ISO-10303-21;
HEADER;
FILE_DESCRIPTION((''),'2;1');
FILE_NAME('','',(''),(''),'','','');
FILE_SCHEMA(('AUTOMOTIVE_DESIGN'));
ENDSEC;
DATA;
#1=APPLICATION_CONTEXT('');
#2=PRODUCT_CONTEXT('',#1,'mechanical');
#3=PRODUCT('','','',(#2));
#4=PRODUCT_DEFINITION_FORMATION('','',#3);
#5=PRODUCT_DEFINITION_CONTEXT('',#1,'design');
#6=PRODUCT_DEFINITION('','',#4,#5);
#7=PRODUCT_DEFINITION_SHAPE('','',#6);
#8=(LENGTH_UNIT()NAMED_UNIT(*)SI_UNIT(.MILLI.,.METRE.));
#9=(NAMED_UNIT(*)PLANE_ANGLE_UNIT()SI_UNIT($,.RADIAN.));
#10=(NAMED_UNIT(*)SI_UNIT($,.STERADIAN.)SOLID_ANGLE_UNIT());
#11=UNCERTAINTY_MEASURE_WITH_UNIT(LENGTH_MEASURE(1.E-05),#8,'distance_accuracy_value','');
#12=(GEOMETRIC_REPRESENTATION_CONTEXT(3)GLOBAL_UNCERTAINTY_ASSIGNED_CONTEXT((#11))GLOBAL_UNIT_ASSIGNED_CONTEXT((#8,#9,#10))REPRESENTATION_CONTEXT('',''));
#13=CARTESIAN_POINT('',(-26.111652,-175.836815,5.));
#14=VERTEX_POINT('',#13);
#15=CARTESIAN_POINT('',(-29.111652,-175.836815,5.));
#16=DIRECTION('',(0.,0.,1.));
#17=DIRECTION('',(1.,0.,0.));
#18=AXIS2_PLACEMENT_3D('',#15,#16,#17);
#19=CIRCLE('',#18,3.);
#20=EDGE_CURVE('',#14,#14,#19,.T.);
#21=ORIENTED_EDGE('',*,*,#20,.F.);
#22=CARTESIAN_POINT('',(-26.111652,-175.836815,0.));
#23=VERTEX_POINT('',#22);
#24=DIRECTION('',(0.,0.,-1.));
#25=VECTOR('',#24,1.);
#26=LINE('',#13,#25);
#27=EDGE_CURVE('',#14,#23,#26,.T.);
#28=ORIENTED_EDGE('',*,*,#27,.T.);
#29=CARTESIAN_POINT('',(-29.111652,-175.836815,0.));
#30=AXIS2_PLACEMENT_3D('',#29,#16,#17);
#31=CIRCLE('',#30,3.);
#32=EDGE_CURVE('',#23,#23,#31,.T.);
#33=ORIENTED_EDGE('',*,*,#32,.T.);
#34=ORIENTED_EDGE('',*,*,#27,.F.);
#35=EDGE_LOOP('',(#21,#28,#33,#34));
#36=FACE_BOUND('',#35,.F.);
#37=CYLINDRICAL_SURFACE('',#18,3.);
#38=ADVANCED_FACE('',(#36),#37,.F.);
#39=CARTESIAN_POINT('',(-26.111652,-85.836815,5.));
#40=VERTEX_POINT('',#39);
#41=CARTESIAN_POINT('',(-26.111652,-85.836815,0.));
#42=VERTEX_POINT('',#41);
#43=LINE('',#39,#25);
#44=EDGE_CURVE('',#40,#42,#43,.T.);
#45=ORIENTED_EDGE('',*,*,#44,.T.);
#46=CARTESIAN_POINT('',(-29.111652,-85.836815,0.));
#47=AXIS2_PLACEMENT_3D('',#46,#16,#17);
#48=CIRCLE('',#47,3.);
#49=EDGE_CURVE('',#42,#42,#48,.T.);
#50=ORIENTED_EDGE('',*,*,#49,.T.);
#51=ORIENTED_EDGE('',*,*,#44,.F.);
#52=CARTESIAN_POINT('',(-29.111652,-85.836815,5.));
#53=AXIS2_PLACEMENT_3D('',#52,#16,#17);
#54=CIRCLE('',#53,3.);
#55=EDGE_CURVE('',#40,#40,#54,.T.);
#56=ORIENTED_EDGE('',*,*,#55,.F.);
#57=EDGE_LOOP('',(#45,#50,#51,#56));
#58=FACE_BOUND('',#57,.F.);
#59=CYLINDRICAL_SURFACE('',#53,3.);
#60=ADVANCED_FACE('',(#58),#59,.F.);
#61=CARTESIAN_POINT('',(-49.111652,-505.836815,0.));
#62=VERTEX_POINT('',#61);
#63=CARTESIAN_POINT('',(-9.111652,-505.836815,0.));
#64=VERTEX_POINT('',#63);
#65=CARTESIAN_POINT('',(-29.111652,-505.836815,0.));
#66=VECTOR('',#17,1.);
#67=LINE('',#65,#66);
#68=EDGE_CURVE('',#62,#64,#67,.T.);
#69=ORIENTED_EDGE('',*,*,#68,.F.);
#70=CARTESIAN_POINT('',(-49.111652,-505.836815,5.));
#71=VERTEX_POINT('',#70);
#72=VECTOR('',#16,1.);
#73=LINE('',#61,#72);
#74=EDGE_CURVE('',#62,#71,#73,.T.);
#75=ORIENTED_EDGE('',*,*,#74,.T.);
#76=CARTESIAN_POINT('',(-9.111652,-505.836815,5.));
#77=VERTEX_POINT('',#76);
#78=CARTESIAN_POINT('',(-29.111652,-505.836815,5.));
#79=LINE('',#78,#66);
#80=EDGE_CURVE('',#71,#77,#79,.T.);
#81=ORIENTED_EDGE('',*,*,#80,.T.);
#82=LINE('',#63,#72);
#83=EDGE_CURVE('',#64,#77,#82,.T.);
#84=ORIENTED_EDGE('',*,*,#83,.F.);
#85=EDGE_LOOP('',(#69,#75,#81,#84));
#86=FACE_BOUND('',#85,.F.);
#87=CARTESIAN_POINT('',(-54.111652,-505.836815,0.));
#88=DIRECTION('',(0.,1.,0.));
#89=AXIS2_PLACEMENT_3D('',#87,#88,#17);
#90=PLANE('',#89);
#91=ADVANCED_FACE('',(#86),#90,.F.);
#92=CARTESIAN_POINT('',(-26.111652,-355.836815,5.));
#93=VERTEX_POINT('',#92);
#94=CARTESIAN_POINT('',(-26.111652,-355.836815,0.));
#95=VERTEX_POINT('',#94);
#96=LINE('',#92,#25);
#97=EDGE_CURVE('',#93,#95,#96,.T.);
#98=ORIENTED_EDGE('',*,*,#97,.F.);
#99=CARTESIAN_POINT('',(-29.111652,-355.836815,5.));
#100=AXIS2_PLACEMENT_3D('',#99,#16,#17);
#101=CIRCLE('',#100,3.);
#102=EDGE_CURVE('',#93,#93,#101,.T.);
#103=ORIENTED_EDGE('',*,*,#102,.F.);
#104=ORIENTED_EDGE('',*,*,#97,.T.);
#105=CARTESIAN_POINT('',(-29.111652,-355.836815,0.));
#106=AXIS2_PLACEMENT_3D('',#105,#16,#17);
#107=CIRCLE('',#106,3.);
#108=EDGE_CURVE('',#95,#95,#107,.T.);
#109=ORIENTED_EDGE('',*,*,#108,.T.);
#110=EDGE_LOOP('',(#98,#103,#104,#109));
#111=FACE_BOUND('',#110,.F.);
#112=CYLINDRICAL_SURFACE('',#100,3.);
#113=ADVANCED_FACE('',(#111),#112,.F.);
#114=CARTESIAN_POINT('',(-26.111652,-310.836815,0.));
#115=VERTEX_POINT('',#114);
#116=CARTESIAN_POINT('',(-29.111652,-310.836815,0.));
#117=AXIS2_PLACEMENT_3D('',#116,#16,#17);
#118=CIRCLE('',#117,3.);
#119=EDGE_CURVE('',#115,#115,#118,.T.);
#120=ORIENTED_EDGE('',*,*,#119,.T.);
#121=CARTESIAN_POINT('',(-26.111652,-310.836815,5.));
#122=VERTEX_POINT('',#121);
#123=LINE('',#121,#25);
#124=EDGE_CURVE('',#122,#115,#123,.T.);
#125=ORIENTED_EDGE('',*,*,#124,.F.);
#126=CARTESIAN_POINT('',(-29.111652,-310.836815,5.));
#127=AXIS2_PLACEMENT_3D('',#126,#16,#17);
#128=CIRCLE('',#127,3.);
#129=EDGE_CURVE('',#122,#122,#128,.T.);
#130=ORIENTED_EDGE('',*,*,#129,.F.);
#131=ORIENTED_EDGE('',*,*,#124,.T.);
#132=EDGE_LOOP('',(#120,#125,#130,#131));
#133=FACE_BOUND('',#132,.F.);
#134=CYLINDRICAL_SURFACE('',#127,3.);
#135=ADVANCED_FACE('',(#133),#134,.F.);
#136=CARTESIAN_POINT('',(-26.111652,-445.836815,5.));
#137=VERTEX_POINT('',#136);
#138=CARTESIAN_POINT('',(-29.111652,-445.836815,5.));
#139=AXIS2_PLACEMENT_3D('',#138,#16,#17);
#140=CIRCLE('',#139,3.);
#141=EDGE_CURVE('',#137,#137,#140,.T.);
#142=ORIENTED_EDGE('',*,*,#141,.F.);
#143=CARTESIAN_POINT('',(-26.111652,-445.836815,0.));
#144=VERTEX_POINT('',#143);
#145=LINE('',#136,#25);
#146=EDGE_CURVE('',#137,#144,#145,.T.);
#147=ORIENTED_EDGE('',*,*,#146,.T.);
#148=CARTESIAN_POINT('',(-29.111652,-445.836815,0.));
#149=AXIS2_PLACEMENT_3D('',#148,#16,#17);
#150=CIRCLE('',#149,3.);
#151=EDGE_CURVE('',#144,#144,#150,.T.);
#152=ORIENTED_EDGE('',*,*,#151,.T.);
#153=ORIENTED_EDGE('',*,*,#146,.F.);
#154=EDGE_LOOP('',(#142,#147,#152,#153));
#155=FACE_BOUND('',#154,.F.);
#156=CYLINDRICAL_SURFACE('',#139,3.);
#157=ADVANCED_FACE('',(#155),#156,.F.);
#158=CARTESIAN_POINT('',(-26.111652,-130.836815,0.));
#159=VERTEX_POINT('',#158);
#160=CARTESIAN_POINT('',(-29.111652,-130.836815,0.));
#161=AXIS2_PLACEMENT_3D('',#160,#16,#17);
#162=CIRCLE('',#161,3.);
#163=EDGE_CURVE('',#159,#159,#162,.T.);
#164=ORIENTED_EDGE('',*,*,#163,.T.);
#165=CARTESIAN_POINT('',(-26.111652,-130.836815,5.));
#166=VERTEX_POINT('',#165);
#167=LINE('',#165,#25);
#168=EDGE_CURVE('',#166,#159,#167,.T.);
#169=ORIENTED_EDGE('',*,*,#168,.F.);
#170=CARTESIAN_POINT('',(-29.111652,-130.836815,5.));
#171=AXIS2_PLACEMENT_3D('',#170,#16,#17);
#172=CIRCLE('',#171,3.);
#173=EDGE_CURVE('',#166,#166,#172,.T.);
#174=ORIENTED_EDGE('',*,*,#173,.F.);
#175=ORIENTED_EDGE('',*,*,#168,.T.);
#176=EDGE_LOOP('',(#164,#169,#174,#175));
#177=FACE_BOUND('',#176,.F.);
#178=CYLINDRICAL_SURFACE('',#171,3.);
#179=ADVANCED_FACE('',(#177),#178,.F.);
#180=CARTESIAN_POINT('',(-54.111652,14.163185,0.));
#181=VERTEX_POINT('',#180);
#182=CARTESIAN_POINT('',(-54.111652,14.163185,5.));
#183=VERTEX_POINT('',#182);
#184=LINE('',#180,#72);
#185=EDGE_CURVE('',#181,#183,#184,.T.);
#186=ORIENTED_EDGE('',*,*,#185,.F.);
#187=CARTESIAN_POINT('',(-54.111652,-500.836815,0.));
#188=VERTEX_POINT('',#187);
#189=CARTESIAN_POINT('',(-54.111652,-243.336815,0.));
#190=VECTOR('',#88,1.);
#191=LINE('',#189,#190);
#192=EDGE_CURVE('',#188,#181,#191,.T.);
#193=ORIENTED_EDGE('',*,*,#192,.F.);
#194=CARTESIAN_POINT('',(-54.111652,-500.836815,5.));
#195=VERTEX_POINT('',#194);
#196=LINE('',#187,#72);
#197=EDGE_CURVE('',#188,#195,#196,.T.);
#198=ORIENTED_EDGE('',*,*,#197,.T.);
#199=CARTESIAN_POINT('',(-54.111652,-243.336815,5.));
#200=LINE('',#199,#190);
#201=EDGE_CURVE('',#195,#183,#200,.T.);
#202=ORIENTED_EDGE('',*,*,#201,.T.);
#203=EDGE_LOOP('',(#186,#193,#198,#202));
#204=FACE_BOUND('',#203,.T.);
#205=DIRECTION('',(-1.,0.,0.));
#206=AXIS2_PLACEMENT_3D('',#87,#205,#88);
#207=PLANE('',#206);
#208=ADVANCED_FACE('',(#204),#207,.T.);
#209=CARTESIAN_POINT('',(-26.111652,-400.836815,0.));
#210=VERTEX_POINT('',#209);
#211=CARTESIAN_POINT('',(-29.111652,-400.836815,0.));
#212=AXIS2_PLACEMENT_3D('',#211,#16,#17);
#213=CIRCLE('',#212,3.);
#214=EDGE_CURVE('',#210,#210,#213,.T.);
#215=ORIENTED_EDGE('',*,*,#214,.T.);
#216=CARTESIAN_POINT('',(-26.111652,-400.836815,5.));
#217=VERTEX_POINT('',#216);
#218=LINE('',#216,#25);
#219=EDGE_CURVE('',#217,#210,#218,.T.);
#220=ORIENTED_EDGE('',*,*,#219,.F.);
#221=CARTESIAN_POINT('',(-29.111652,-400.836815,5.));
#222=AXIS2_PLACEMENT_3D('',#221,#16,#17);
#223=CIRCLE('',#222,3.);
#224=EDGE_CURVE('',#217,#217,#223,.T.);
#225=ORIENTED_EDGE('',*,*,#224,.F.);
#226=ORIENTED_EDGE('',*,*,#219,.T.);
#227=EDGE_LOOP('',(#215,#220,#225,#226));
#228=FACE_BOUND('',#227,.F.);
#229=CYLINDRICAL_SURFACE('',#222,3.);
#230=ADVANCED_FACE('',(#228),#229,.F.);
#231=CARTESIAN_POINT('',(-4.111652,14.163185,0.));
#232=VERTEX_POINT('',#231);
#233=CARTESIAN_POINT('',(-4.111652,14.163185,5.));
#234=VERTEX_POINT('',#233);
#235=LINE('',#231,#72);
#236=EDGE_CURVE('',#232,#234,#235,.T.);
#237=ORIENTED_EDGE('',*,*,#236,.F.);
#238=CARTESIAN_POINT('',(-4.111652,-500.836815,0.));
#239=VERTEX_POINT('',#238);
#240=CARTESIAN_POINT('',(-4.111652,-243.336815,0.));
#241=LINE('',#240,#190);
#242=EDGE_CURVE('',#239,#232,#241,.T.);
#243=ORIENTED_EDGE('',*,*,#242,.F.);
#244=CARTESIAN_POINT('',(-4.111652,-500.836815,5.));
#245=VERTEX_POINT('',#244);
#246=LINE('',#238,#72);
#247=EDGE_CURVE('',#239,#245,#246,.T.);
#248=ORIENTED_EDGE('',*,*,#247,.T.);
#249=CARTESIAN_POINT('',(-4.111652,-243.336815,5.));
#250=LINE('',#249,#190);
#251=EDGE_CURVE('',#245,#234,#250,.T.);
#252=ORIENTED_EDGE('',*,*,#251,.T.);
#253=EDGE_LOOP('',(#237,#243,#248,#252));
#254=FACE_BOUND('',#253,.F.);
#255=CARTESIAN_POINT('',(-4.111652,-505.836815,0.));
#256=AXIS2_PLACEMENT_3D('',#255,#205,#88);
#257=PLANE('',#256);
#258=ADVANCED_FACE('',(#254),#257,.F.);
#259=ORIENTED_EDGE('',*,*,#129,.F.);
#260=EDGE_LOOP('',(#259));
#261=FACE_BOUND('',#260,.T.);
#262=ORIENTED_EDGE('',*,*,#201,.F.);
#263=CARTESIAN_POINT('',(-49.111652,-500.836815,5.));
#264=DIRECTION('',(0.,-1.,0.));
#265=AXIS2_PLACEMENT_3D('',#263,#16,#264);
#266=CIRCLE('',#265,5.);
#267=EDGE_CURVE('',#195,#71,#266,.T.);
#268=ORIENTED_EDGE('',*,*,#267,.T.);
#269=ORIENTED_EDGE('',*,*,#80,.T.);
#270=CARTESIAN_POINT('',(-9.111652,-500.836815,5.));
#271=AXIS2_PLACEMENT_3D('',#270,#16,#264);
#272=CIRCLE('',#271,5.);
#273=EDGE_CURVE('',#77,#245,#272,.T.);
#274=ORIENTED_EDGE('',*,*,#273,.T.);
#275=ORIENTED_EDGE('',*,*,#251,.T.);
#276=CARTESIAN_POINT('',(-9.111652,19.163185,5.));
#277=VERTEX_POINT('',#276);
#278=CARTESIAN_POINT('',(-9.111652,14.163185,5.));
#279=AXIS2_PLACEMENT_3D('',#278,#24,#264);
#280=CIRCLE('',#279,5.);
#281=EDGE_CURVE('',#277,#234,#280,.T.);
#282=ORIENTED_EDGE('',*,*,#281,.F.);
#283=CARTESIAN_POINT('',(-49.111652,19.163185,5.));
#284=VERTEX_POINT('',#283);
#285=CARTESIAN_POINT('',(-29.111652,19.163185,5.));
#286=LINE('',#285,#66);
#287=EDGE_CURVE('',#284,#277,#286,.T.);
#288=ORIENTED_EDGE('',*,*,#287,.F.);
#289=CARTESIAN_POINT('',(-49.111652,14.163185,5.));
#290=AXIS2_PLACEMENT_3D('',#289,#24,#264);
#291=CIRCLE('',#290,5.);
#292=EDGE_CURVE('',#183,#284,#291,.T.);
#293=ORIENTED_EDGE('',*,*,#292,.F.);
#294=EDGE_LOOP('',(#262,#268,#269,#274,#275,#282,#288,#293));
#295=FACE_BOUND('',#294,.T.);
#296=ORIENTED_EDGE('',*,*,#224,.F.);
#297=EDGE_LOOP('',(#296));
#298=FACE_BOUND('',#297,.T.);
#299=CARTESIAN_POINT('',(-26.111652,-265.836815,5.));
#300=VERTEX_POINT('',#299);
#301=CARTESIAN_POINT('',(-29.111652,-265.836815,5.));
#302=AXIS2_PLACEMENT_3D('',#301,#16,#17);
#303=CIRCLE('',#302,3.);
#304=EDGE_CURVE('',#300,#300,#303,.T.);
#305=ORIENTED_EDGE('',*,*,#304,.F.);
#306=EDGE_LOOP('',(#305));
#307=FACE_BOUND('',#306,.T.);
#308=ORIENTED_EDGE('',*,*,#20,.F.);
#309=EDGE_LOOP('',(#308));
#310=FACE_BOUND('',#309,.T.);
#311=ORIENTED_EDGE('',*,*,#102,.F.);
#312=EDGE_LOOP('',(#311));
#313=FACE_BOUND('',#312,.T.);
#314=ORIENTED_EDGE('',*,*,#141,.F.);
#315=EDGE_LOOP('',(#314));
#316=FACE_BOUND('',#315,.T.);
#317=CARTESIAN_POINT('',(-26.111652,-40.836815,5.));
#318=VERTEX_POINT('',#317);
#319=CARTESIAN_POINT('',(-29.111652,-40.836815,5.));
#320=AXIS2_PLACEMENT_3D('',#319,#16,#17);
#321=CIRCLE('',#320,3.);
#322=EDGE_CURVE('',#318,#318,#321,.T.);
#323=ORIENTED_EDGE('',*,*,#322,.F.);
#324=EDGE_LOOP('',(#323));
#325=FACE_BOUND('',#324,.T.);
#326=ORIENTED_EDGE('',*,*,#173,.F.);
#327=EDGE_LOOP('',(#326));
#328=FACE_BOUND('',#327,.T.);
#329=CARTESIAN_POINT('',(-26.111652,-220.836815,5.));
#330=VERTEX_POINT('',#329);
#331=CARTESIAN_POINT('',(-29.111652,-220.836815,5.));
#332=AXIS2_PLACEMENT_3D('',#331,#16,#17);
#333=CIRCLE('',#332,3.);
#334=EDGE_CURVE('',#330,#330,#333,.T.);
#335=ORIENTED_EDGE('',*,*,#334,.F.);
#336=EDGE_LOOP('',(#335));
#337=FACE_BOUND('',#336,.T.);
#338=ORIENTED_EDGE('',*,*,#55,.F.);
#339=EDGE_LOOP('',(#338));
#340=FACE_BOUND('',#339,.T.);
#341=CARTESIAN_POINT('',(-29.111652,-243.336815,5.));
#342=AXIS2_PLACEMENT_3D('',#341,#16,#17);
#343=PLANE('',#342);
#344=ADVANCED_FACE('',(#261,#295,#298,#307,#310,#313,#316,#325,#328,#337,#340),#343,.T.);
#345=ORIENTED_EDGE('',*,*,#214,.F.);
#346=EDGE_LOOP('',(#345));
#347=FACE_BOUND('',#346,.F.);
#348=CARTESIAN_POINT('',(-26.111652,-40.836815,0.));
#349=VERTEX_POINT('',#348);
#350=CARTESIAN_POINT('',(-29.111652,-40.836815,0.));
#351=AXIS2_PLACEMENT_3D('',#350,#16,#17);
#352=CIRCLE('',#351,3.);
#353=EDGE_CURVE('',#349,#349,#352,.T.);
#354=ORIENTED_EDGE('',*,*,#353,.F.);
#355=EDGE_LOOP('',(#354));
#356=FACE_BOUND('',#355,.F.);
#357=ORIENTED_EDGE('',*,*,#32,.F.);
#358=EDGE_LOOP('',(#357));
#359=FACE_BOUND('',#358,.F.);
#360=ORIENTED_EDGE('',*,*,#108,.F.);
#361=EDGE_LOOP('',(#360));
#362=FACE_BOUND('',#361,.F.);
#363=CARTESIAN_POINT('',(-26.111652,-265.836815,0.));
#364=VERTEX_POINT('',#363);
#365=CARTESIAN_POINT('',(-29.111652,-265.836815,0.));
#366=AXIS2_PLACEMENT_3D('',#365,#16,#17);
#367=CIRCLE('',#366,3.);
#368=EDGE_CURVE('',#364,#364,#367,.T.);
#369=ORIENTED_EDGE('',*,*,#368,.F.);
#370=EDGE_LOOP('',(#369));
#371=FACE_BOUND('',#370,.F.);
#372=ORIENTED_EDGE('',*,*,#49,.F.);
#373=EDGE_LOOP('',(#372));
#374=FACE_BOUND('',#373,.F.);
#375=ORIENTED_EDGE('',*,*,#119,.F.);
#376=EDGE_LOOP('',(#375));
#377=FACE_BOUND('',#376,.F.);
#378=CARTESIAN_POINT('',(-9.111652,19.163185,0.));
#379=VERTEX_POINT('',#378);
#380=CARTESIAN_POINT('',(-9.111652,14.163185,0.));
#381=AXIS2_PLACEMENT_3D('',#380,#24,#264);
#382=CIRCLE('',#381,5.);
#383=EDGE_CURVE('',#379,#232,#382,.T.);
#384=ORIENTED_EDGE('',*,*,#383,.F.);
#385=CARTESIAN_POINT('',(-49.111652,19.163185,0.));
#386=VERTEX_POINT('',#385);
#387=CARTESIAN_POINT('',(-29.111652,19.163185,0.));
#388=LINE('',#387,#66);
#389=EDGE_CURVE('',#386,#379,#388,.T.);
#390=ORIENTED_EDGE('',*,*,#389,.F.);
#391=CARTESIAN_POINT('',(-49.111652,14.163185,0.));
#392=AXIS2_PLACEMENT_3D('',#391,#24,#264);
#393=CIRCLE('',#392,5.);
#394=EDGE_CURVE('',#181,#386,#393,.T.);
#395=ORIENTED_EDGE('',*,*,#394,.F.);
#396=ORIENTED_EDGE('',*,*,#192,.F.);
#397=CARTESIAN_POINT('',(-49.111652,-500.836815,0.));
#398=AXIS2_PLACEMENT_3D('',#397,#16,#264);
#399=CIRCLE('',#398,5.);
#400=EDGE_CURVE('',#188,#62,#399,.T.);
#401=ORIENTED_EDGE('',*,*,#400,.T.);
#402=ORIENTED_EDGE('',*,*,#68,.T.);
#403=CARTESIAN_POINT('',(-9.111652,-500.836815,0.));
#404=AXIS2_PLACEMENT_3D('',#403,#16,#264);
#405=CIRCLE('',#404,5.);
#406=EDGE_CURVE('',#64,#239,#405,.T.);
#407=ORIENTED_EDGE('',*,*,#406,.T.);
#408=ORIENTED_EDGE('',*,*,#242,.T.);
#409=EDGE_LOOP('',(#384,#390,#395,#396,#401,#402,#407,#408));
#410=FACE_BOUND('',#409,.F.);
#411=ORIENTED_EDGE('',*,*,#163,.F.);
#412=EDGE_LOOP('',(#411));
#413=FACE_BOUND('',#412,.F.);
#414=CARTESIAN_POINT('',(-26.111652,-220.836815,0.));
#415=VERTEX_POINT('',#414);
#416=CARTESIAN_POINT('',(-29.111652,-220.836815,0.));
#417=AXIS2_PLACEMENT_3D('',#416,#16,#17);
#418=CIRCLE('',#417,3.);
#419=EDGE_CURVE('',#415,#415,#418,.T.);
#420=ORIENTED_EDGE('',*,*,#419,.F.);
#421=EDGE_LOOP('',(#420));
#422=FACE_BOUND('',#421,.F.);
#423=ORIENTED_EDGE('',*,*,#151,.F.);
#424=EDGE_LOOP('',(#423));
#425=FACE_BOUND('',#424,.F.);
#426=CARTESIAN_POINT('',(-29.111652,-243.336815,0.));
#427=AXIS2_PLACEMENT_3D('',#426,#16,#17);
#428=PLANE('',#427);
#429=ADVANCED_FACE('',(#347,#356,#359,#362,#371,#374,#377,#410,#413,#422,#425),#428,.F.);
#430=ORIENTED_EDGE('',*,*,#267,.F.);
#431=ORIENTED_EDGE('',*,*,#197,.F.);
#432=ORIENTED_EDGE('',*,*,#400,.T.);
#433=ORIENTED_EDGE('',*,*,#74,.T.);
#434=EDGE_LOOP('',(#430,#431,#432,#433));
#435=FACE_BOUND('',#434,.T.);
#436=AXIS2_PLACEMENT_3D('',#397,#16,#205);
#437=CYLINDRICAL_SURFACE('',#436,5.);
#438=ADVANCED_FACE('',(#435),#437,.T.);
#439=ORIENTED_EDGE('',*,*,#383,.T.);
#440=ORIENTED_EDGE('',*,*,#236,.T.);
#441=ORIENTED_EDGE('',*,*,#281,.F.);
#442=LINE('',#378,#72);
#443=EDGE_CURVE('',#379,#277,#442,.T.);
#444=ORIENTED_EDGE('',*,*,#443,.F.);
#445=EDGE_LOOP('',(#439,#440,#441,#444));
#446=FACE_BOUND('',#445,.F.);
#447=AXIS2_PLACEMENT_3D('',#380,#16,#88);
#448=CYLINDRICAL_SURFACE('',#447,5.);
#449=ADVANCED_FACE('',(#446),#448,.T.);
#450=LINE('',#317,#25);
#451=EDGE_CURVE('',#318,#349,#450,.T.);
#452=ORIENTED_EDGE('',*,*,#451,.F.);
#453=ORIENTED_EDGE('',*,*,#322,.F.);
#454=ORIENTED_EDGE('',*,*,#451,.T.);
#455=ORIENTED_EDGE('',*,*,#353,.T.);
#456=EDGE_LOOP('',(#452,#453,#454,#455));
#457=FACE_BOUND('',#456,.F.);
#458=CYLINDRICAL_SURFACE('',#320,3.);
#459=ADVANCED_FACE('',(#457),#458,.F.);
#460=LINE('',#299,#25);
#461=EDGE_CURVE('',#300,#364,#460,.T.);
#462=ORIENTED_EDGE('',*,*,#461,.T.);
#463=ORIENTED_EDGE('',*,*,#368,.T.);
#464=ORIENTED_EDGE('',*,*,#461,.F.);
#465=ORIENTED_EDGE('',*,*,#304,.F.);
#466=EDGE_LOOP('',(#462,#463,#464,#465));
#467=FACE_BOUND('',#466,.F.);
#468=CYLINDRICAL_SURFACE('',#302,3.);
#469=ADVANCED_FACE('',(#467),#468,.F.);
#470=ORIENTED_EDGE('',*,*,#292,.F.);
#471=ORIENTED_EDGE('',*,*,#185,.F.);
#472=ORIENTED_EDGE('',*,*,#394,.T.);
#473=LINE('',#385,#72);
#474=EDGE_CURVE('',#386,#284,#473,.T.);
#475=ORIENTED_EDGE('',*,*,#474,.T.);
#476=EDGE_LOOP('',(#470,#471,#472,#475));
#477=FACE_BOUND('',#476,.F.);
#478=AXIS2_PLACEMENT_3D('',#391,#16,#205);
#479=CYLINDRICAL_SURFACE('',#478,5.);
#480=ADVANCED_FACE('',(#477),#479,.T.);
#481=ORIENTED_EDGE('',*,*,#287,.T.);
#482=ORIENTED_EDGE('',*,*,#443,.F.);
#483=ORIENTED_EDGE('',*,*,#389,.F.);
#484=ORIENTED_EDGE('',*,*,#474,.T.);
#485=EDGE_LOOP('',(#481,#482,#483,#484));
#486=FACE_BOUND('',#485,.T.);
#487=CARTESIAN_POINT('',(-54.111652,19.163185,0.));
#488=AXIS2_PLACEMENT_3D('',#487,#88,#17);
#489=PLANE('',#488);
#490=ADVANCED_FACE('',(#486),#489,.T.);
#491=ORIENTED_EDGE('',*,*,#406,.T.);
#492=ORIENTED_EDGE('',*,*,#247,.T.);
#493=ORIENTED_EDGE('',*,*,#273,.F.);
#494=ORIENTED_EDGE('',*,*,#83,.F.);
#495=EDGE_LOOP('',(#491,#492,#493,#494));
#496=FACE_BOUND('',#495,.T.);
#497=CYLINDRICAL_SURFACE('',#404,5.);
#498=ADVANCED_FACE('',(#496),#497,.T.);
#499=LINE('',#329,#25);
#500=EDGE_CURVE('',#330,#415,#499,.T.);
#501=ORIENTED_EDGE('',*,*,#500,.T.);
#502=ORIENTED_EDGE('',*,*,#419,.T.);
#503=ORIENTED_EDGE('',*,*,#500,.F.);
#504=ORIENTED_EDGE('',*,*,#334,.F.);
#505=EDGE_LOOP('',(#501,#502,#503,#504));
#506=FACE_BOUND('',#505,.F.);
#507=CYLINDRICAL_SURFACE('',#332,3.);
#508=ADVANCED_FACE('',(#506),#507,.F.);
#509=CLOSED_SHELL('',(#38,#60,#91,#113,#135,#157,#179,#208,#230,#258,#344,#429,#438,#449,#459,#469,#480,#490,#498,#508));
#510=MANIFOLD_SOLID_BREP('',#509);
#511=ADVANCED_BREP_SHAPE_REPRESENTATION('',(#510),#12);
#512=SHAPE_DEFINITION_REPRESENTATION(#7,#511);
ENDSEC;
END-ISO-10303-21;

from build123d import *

# Parameters (mm, degrees)
SKETCH_W            = 50
SKETCH_H            = 525
PAD_DEPTH           = 5
SKETCH001_R         = 3
POCKET_DEPTH        = 5
LINEARPATTERN_COUNT = 10
LINEARPATTERN_PITCH = 45
FILLET_R            = 5


with BuildPart() as part:
    # Sketch → Pad (new body)
    with BuildSketch(Plane.XY):
        with Locations((-29.111652, -243.336815)):
            Rectangle(SKETCH_W, SKETCH_H)
    extrude(amount=PAD_DEPTH)

    # Sketch001 (on Face6 of Pad) → Pocket (cut)
    with BuildSketch(Plane.XY.offset(5)):
        with Locations((-29.111652, -445.836815)):
            Circle(SKETCH001_R)
    pocket = extrude(amount=-POCKET_DEPTH, mode=Mode.SUBTRACT)

    # LinearPattern: Pocket ×10
    with Locations(*[(0, i * LINEARPATTERN_PITCH, 0) for i in range(1, LINEARPATTERN_COUNT)]):
        add(pocket, mode=Mode.SUBTRACT)

    # Fillet
    fillet_edges = [part.edges().sort_by_distance(p)[0] for p in [
        (-4.111652, 19.163185, 2.5),
        (-54.111652, 19.163185, 2.5),
        (-4.111652, -505.836815, 2.5),
        (-54.111652, -505.836815, 2.5),
    ]]
    fillet(fillet_edges, radius=FILLET_R)


solid = part.part
